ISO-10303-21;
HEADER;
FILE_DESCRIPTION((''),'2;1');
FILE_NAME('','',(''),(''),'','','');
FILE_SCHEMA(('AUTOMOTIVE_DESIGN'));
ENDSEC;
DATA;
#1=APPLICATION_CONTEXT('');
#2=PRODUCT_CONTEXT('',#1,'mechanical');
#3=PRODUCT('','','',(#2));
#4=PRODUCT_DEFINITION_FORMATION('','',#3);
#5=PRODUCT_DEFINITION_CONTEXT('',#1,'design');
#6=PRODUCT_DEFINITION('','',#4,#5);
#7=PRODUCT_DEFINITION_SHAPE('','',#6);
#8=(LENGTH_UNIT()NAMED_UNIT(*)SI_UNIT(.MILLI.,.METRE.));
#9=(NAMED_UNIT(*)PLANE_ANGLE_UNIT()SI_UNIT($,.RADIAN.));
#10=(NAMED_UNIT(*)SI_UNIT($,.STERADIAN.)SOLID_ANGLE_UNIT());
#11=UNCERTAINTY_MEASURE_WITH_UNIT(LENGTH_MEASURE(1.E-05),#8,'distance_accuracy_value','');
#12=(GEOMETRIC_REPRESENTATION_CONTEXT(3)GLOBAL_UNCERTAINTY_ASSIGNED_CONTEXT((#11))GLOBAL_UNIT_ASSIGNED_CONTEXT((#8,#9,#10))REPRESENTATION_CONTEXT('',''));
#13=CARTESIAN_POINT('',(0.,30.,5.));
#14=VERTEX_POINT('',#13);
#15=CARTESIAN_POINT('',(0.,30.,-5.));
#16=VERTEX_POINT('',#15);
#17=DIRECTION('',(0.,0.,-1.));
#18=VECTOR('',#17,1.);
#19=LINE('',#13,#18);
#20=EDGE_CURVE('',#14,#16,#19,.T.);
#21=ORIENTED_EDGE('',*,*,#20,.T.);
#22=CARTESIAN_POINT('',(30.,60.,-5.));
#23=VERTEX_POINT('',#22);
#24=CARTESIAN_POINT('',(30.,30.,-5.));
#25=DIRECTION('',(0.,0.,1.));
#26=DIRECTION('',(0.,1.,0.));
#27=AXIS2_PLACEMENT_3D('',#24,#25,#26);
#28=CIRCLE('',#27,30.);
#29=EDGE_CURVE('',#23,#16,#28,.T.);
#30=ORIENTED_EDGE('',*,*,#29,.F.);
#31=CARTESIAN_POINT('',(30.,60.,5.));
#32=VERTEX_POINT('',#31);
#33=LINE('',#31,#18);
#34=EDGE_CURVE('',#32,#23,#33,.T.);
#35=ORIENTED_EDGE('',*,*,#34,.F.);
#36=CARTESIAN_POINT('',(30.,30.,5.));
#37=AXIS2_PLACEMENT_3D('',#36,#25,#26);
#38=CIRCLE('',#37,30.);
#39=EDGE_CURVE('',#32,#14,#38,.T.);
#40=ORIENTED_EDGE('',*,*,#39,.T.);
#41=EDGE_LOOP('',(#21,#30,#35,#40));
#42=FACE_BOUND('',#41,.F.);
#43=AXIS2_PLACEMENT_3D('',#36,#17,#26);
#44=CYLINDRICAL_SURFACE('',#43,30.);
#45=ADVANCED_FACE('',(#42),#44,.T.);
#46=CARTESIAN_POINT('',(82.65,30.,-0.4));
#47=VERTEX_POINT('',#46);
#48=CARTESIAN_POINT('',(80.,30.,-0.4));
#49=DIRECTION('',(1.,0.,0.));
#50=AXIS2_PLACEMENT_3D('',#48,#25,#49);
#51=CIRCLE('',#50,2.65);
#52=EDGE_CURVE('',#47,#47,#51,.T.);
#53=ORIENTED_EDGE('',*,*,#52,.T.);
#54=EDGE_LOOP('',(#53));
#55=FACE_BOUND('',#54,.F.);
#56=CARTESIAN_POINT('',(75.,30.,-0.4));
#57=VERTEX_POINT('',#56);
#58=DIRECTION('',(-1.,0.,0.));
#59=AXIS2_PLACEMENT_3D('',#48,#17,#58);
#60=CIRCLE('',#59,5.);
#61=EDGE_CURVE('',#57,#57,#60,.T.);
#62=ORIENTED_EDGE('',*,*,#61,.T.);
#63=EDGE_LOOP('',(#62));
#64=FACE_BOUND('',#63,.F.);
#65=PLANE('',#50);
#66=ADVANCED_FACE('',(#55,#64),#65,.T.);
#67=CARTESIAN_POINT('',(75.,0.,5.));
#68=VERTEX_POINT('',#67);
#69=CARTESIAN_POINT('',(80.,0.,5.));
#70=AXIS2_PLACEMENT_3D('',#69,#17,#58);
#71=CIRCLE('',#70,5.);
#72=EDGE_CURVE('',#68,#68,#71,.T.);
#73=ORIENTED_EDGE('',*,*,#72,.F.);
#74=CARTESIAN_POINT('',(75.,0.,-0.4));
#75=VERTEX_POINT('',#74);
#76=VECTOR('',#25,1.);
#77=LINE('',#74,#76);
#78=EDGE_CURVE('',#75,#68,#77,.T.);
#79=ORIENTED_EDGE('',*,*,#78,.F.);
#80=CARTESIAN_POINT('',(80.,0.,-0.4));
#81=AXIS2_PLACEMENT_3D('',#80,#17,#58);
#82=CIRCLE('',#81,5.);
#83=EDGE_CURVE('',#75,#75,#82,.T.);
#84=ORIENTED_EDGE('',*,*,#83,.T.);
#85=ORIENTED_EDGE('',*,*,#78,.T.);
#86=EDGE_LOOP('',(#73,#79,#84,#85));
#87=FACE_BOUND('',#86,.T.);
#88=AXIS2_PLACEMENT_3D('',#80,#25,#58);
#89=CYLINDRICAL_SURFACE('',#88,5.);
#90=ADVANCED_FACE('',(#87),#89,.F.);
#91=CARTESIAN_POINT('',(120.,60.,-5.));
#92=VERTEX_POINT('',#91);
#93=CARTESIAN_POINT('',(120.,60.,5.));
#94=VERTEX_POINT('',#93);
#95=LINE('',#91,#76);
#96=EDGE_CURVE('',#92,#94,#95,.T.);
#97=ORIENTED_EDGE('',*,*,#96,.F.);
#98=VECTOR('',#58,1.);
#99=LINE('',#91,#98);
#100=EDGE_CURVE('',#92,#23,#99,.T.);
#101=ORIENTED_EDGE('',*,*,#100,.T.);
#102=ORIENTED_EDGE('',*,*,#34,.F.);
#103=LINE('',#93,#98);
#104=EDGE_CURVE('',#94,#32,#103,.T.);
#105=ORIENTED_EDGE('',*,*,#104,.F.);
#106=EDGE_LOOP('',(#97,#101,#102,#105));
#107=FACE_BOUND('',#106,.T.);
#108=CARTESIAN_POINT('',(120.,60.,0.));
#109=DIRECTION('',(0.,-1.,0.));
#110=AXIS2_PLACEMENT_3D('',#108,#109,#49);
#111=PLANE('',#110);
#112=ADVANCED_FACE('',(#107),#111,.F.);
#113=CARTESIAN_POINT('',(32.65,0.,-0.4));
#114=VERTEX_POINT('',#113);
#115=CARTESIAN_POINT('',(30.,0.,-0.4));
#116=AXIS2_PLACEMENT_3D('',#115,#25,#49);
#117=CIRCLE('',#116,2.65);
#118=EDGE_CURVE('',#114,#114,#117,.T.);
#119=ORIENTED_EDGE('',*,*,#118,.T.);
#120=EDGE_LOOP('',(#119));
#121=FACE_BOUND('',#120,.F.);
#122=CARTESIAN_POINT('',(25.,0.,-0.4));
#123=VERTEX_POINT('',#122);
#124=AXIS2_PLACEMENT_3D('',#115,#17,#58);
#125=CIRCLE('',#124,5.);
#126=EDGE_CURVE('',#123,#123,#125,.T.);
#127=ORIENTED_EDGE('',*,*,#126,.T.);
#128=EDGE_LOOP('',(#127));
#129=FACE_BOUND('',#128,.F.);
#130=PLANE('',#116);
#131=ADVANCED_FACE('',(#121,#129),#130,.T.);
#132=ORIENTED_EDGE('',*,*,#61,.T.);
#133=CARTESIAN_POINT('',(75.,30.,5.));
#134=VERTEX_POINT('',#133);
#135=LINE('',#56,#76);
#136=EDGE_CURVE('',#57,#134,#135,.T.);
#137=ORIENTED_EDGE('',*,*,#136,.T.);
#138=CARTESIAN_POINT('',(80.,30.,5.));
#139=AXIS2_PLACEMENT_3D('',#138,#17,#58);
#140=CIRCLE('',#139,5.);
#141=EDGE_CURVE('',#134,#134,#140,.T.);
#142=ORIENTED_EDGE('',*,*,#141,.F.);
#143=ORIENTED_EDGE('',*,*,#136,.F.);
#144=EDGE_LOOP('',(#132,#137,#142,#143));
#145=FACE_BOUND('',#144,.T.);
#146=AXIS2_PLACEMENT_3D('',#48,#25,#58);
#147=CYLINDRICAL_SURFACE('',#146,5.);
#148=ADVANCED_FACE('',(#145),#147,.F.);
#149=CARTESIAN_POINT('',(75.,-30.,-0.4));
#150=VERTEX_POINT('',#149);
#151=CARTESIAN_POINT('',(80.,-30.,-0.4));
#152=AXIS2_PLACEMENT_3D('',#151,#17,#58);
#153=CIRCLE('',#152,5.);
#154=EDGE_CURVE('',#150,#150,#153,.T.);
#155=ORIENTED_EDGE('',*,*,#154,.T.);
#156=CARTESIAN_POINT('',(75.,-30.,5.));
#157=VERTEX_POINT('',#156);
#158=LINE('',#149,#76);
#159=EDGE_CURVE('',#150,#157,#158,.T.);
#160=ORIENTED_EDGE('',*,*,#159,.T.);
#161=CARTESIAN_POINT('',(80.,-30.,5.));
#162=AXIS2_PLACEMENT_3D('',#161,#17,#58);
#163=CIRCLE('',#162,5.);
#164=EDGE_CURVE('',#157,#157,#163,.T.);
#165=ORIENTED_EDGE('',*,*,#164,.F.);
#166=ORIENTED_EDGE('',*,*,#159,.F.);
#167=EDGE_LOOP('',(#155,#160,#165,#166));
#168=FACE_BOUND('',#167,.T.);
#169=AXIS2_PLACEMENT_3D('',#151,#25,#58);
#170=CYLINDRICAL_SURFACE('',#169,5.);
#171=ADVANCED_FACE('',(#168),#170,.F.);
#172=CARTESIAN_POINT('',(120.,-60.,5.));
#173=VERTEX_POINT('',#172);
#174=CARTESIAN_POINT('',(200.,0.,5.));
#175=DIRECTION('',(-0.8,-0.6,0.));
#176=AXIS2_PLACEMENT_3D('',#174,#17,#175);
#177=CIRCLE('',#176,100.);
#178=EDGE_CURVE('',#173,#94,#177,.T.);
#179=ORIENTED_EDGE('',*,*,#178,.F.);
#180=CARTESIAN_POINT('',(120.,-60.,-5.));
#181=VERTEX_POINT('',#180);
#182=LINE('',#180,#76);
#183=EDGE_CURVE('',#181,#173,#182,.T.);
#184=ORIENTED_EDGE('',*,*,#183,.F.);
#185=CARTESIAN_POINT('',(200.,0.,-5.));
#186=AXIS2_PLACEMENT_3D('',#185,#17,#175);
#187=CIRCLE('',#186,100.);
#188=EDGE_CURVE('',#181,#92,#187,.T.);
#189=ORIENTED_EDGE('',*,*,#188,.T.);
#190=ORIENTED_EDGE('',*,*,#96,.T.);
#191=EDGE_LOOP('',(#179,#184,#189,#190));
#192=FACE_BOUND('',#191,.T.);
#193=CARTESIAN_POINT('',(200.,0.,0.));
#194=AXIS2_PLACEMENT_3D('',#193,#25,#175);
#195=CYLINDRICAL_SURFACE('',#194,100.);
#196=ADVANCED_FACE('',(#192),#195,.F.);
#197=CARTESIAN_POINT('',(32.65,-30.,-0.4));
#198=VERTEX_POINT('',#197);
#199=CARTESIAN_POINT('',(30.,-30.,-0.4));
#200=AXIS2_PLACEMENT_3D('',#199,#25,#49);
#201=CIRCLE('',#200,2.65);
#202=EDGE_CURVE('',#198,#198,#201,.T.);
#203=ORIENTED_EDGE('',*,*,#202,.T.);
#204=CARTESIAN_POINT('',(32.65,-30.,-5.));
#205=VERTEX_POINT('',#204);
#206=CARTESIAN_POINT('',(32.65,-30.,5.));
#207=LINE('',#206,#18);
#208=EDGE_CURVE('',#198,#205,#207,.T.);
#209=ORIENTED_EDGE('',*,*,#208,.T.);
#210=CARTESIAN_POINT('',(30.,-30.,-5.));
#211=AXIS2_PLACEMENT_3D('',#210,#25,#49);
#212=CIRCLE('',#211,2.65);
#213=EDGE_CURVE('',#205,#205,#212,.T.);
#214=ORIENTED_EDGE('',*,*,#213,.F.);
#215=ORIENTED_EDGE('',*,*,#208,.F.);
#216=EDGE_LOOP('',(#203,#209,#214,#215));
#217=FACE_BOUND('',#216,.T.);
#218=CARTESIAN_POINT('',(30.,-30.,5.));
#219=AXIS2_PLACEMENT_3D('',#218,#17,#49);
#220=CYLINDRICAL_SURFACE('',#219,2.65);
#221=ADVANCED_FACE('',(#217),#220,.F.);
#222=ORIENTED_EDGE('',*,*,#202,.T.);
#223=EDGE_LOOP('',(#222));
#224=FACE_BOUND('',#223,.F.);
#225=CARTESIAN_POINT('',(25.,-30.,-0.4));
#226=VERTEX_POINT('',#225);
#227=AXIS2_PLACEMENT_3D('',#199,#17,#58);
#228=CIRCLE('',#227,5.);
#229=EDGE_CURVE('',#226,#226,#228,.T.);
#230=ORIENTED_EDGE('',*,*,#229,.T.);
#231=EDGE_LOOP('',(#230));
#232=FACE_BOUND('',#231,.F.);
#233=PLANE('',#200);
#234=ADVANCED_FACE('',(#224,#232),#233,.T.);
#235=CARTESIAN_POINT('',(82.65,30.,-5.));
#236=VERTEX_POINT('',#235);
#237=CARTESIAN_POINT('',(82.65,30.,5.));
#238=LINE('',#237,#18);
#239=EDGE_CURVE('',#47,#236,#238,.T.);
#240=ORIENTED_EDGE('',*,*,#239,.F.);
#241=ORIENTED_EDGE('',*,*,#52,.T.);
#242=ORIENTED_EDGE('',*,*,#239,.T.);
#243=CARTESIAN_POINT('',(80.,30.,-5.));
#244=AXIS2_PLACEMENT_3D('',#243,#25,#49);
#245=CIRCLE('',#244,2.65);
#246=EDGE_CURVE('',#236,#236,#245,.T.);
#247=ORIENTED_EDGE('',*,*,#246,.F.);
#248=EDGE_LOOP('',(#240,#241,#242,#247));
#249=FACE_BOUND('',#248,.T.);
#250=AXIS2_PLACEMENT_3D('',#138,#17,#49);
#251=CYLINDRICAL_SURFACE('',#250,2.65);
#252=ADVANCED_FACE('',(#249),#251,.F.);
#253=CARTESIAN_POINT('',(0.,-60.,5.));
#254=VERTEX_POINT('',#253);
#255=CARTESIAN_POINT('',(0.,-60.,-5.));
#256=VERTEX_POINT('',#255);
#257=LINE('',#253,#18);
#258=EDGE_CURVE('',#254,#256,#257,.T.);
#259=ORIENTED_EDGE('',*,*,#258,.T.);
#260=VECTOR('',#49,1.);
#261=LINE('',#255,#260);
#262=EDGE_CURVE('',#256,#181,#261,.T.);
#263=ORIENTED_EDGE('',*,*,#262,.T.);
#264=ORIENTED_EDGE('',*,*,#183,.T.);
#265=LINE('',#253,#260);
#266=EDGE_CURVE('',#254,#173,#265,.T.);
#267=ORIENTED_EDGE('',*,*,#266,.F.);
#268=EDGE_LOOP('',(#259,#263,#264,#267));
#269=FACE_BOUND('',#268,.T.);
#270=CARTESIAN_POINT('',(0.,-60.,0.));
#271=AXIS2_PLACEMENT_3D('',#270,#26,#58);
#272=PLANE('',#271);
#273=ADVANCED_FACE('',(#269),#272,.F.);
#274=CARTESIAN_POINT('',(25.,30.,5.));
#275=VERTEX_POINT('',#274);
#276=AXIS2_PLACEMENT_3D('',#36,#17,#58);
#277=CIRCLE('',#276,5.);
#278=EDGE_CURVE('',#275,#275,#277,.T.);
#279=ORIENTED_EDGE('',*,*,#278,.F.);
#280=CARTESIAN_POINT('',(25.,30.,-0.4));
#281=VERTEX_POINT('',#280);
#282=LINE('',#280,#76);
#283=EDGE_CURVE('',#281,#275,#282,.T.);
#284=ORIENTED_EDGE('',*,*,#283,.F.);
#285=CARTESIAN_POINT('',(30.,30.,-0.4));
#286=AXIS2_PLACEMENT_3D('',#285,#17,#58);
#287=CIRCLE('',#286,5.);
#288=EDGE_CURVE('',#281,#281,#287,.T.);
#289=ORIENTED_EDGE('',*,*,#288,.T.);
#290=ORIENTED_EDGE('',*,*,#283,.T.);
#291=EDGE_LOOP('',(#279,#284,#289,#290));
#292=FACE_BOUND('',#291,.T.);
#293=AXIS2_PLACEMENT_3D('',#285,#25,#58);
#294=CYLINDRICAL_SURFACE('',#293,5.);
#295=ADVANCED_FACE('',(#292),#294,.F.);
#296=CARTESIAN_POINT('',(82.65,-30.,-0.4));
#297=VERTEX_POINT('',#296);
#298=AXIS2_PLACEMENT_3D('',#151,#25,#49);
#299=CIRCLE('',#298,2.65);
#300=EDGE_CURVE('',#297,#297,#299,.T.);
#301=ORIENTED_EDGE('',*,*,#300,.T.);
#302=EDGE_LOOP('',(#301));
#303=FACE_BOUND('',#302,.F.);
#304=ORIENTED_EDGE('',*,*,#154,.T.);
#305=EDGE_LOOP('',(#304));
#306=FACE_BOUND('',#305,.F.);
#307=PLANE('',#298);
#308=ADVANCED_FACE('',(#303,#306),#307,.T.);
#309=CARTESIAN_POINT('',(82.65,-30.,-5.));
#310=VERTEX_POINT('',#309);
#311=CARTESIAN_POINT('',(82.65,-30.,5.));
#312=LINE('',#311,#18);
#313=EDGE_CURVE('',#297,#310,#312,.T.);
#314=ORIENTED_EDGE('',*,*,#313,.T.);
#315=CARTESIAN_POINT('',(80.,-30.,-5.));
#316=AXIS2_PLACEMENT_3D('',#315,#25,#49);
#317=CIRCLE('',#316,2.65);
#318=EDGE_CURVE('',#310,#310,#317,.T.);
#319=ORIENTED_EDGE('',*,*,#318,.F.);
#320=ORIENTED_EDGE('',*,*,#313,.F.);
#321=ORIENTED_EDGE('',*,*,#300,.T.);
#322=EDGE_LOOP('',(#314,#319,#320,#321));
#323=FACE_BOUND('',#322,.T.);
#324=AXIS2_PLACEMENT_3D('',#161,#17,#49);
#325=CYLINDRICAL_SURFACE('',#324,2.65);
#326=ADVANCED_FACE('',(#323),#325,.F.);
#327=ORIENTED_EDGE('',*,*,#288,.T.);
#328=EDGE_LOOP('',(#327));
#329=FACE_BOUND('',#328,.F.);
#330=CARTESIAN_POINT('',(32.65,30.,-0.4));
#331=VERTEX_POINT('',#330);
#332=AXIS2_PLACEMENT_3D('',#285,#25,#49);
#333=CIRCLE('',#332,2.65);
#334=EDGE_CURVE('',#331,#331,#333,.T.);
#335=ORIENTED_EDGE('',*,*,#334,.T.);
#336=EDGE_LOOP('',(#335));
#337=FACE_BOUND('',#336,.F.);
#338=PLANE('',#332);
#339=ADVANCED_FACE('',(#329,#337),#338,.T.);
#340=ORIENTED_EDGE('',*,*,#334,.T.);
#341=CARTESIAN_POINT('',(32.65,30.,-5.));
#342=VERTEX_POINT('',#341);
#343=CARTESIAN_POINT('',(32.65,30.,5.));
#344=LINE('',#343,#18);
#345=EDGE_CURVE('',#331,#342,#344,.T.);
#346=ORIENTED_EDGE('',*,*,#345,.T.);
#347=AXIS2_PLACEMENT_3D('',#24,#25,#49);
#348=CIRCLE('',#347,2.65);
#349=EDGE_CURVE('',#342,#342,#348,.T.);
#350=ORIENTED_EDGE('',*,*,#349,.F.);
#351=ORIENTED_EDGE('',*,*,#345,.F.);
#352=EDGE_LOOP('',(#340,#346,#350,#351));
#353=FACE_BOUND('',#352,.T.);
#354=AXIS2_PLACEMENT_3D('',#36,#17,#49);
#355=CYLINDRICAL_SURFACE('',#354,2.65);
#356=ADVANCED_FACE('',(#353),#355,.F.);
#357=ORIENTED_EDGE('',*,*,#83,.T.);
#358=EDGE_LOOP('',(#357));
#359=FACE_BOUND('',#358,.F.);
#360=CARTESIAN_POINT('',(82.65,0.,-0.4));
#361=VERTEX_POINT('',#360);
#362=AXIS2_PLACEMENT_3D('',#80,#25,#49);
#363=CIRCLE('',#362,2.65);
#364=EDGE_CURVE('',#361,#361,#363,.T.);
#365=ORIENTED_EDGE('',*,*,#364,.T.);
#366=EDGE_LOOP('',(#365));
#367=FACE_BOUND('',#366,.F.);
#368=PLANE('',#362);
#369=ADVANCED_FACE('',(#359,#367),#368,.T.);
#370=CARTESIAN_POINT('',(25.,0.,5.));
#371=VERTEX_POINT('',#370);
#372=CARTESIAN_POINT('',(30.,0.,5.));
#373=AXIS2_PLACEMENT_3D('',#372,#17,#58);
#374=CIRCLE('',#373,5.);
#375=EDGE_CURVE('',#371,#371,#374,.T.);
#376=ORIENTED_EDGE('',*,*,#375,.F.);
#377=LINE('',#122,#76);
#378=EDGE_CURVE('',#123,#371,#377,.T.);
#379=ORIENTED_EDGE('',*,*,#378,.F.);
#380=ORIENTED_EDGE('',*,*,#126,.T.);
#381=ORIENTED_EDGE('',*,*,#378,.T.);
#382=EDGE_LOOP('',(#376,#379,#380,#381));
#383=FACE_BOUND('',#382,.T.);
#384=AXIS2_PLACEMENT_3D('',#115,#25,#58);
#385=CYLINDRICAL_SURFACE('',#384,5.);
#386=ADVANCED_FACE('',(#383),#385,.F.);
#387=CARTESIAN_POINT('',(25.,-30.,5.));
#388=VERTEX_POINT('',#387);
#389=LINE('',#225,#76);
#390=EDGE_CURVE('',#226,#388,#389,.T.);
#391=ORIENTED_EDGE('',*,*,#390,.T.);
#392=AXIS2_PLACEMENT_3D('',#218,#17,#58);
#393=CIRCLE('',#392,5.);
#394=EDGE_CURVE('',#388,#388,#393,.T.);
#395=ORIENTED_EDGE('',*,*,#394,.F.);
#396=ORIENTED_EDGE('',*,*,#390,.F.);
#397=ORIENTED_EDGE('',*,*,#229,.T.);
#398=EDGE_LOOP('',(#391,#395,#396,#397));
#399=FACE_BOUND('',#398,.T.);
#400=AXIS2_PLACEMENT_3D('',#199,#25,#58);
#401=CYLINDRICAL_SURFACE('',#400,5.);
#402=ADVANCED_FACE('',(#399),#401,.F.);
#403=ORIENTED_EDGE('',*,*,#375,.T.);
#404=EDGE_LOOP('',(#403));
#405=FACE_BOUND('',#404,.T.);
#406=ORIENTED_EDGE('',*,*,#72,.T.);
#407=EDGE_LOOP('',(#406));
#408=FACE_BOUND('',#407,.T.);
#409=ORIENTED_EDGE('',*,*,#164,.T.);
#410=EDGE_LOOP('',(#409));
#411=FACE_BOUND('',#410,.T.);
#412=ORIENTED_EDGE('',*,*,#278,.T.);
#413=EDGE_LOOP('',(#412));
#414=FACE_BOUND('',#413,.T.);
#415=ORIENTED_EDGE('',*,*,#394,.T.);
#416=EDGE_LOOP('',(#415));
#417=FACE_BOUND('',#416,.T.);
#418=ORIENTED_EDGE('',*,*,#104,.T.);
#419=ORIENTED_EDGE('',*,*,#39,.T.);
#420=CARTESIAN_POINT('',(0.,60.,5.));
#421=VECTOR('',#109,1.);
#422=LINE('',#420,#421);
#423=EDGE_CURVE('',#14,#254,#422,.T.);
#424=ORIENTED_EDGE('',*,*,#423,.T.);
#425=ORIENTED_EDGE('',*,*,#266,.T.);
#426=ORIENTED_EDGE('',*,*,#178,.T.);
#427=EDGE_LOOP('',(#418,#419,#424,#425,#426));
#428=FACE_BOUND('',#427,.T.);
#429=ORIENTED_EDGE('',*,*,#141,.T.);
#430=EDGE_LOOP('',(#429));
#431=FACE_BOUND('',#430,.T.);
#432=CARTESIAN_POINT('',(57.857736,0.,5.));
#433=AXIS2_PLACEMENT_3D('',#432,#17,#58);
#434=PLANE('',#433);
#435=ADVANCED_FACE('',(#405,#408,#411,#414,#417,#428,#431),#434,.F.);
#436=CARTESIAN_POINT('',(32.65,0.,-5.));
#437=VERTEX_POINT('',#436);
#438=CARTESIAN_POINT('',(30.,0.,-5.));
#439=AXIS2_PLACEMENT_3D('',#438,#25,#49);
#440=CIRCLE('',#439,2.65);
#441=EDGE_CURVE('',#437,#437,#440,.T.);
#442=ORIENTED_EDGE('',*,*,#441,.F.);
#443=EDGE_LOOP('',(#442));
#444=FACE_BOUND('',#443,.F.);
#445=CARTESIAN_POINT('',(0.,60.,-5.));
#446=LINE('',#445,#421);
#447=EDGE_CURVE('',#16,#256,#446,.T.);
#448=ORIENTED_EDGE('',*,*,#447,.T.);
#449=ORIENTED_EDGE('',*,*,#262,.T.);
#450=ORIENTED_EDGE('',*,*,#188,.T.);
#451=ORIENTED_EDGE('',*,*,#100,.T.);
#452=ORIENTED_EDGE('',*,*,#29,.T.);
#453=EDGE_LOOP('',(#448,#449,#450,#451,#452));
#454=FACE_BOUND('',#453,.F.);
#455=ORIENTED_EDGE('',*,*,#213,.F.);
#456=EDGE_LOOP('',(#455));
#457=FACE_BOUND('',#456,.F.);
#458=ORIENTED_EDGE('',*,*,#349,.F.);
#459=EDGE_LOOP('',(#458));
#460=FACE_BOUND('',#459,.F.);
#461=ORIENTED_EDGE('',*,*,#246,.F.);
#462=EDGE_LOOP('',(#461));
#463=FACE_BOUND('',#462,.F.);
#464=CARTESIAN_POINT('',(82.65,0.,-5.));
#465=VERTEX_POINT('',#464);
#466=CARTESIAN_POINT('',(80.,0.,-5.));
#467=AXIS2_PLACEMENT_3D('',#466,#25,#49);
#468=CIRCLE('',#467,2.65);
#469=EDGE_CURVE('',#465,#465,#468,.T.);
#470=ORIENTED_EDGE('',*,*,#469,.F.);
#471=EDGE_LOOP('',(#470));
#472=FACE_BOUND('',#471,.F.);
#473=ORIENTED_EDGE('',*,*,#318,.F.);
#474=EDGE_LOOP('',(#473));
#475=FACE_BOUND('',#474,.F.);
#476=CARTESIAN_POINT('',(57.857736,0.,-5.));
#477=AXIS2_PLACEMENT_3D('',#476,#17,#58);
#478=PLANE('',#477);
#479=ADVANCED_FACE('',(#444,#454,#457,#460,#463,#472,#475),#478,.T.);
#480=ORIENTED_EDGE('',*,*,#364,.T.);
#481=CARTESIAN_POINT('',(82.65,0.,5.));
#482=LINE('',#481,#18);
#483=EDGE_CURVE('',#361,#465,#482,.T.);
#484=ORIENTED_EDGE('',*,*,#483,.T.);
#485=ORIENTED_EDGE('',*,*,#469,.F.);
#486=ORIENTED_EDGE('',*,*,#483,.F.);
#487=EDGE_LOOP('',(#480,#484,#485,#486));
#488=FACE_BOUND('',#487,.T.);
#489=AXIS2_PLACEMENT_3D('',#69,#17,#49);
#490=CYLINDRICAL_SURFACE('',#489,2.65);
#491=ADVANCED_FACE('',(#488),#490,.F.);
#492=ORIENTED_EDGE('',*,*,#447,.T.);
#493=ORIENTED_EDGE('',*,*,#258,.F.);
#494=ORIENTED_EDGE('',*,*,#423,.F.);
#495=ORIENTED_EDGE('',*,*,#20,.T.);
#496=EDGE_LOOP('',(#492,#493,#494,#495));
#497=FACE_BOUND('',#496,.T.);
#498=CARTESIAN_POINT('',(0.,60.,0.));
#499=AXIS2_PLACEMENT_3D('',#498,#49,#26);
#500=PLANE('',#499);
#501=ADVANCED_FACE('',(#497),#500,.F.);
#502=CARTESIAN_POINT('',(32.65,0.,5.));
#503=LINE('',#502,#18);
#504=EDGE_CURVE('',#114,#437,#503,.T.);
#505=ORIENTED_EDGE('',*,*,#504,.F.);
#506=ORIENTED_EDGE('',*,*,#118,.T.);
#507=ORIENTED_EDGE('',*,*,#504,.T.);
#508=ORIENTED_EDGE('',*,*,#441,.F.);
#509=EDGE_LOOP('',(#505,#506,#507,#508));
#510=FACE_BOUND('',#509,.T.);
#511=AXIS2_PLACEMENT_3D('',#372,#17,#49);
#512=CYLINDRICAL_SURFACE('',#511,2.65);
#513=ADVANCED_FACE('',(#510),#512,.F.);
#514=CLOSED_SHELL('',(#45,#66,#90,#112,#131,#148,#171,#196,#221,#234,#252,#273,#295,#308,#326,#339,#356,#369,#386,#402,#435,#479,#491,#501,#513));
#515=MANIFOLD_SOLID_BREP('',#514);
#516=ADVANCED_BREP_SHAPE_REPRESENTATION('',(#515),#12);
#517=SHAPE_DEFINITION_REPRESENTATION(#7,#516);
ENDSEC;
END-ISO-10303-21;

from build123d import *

# Parameters (mm, degrees)
AUFSATZ_LINEAR_AUSTRAGEN1_DEPTH                      = 5
VERRUNDUNG1_R                                        = 30
STIRNSENKUNG_F_R_M5_ZYLINDERSCHRAUBE_MIT_D           = 5.3
STIRNSENKUNG_F_R_M5_ZYLINDERSCHRAUBE_MIT_CBORE_D     = 10
STIRNSENKUNG_F_R_M5_ZYLINDERSCHRAUBE_MIT_CBORE_DEPTH = 5.4
LINEARES_MUSTER1_COUNT                               = 3
LINEARES_MUSTER1_PITCH                               = 30
LINEARES_MUSTER1_COUNT_DIR2                          = 2
LINEARES_MUSTER1_PITCH_DIR2                          = 50


with BuildPart() as part:
    # Skizze1 → Aufsatz-Linear austragen1 (new body, symmetric)
    with BuildSketch(Plane.XY):
        with BuildLine():
            Line((-120, 60), (0, 60))
            Line((0, 60), (0, -60))
            Line((0, -60), (-120, -60))
            ThreePointArc((-120, -60), (-100, 0), (-120, 60))
        make_face()
    extrude(amount=AUFSATZ_LINEAR_AUSTRAGEN1_DEPTH, both=True)

    # Verrundung1
    verrundung1_edges = [part.edges().sort_by_distance(p)[0] for p in [
        (0, 60, 0),
    ]]
    fillet(verrundung1_edges, radius=VERRUNDUNG1_R)

    # Stirnsenkung für M5 Zylinderschraube mit Innensechskant1 (through all)
    with Locations(Plane.XY.offset(5)):
        with Locations((-30, 30)):
            stirnsenkung_f_r_m5_zylinderschraube_mit = CounterBoreHole(STIRNSENKUNG_F_R_M5_ZYLINDERSCHRAUBE_MIT_D / 2, STIRNSENKUNG_F_R_M5_ZYLINDERSCHRAUBE_MIT_CBORE_D / 2, STIRNSENKUNG_F_R_M5_ZYLINDERSCHRAUBE_MIT_CBORE_DEPTH)

    # Lineares Muster1: Stirnsenkung f_r M5 Zylinderschraube mit 3 × 2
    with Locations(*[(-j * LINEARES_MUSTER1_PITCH_DIR2, -i * LINEARES_MUSTER1_PITCH, 0) for i in range(LINEARES_MUSTER1_COUNT) for j in range(LINEARES_MUSTER1_COUNT_DIR2) if (i, j) != (0, 0)]):
        add(stirnsenkung_f_r_m5_zylinderschraube_mit, mode=Mode.SUBTRACT)


with BuildPart() as body_2:
    # Spiegeln1: mirrored copy
    add(part.part.mirror(Plane(origin=(0, 60, 5), x_dir=(0, 0, 1), z_dir=(-1, 0, 0))))


solid = body_2.part
